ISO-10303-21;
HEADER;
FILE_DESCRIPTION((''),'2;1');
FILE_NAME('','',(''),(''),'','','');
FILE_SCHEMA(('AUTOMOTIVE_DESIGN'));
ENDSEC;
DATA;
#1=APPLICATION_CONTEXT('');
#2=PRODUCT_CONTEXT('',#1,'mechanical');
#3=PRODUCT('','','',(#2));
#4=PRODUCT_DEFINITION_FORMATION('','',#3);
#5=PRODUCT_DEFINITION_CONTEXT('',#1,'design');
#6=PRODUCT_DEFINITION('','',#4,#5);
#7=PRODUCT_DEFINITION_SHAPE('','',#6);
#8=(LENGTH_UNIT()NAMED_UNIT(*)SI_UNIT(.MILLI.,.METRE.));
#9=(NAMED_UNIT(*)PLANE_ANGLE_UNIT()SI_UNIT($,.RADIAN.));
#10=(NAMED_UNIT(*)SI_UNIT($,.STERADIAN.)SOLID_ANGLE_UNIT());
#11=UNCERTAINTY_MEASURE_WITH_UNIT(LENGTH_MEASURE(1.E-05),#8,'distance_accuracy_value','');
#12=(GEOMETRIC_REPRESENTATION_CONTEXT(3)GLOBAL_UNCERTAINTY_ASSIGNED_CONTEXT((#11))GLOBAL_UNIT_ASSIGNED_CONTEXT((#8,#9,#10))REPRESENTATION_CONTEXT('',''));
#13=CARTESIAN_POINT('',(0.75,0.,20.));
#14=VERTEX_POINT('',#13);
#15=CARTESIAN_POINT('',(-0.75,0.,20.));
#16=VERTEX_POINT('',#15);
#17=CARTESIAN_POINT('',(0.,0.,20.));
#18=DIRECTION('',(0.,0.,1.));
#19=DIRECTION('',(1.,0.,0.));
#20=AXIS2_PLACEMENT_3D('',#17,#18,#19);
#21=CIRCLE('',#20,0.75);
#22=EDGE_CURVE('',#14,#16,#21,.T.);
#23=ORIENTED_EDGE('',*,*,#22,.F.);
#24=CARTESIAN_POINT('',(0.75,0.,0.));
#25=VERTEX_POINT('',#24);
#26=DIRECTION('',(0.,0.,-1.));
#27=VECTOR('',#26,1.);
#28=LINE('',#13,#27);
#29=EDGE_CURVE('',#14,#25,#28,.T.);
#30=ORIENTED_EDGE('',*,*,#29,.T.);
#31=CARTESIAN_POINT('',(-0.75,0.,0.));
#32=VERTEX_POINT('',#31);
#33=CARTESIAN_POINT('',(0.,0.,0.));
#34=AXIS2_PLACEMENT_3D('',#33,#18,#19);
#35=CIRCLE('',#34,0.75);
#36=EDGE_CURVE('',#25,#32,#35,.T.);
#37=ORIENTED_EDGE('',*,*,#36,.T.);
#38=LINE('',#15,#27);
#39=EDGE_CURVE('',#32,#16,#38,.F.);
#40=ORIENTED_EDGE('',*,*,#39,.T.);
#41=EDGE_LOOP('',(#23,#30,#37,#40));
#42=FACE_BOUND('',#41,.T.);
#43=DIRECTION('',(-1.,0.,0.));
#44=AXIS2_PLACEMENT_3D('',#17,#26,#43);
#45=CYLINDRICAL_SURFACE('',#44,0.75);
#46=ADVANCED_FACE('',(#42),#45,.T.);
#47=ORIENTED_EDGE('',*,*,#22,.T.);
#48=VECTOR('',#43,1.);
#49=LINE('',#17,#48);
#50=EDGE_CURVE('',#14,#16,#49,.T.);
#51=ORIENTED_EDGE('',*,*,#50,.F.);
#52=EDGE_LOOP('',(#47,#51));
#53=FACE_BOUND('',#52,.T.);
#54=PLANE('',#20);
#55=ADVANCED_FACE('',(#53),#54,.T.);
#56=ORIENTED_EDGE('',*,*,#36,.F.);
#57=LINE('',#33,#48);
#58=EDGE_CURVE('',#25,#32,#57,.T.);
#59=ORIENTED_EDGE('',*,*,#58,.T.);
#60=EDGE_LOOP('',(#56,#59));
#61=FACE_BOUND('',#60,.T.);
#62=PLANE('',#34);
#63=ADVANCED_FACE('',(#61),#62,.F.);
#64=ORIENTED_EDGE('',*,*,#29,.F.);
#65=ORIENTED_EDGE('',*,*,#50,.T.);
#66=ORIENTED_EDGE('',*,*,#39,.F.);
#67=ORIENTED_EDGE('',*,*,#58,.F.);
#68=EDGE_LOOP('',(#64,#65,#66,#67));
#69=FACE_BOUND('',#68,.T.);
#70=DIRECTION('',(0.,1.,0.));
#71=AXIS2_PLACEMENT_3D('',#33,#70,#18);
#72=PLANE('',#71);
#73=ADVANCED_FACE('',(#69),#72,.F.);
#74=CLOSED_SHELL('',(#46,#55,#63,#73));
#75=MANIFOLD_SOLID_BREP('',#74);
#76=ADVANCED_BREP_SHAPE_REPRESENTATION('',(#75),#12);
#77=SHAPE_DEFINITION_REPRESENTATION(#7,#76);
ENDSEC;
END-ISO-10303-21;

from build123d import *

# Parameters (mm, degrees)
SKETCH1_R           = 0.75
BOSS_EXTRUDE1_DEPTH = 20
SKETCH2_W           = 13.825579046
SKETCH2_H           = 29.41502706
CUT_EXTRUDE1_DEPTH  = 20


with BuildPart() as part:
    # Sketch1 → Boss-Extrude1 (new body)
    with BuildSketch(Plane.XY):
        Circle(SKETCH1_R)
    extrude(amount=BOSS_EXTRUDE1_DEPTH)

    # Sketch2 → Cut-Extrude1 (cut)
    with BuildSketch(Plane(origin=(0, 0, 0), x_dir=(1, 0, 0), z_dir=(0, 1, 0))):
        with Locations((0, -9.700113021)):
            Rectangle(SKETCH2_W, SKETCH2_H)
    extrude(amount=-CUT_EXTRUDE1_DEPTH, mode=Mode.SUBTRACT)


solid = part.part
